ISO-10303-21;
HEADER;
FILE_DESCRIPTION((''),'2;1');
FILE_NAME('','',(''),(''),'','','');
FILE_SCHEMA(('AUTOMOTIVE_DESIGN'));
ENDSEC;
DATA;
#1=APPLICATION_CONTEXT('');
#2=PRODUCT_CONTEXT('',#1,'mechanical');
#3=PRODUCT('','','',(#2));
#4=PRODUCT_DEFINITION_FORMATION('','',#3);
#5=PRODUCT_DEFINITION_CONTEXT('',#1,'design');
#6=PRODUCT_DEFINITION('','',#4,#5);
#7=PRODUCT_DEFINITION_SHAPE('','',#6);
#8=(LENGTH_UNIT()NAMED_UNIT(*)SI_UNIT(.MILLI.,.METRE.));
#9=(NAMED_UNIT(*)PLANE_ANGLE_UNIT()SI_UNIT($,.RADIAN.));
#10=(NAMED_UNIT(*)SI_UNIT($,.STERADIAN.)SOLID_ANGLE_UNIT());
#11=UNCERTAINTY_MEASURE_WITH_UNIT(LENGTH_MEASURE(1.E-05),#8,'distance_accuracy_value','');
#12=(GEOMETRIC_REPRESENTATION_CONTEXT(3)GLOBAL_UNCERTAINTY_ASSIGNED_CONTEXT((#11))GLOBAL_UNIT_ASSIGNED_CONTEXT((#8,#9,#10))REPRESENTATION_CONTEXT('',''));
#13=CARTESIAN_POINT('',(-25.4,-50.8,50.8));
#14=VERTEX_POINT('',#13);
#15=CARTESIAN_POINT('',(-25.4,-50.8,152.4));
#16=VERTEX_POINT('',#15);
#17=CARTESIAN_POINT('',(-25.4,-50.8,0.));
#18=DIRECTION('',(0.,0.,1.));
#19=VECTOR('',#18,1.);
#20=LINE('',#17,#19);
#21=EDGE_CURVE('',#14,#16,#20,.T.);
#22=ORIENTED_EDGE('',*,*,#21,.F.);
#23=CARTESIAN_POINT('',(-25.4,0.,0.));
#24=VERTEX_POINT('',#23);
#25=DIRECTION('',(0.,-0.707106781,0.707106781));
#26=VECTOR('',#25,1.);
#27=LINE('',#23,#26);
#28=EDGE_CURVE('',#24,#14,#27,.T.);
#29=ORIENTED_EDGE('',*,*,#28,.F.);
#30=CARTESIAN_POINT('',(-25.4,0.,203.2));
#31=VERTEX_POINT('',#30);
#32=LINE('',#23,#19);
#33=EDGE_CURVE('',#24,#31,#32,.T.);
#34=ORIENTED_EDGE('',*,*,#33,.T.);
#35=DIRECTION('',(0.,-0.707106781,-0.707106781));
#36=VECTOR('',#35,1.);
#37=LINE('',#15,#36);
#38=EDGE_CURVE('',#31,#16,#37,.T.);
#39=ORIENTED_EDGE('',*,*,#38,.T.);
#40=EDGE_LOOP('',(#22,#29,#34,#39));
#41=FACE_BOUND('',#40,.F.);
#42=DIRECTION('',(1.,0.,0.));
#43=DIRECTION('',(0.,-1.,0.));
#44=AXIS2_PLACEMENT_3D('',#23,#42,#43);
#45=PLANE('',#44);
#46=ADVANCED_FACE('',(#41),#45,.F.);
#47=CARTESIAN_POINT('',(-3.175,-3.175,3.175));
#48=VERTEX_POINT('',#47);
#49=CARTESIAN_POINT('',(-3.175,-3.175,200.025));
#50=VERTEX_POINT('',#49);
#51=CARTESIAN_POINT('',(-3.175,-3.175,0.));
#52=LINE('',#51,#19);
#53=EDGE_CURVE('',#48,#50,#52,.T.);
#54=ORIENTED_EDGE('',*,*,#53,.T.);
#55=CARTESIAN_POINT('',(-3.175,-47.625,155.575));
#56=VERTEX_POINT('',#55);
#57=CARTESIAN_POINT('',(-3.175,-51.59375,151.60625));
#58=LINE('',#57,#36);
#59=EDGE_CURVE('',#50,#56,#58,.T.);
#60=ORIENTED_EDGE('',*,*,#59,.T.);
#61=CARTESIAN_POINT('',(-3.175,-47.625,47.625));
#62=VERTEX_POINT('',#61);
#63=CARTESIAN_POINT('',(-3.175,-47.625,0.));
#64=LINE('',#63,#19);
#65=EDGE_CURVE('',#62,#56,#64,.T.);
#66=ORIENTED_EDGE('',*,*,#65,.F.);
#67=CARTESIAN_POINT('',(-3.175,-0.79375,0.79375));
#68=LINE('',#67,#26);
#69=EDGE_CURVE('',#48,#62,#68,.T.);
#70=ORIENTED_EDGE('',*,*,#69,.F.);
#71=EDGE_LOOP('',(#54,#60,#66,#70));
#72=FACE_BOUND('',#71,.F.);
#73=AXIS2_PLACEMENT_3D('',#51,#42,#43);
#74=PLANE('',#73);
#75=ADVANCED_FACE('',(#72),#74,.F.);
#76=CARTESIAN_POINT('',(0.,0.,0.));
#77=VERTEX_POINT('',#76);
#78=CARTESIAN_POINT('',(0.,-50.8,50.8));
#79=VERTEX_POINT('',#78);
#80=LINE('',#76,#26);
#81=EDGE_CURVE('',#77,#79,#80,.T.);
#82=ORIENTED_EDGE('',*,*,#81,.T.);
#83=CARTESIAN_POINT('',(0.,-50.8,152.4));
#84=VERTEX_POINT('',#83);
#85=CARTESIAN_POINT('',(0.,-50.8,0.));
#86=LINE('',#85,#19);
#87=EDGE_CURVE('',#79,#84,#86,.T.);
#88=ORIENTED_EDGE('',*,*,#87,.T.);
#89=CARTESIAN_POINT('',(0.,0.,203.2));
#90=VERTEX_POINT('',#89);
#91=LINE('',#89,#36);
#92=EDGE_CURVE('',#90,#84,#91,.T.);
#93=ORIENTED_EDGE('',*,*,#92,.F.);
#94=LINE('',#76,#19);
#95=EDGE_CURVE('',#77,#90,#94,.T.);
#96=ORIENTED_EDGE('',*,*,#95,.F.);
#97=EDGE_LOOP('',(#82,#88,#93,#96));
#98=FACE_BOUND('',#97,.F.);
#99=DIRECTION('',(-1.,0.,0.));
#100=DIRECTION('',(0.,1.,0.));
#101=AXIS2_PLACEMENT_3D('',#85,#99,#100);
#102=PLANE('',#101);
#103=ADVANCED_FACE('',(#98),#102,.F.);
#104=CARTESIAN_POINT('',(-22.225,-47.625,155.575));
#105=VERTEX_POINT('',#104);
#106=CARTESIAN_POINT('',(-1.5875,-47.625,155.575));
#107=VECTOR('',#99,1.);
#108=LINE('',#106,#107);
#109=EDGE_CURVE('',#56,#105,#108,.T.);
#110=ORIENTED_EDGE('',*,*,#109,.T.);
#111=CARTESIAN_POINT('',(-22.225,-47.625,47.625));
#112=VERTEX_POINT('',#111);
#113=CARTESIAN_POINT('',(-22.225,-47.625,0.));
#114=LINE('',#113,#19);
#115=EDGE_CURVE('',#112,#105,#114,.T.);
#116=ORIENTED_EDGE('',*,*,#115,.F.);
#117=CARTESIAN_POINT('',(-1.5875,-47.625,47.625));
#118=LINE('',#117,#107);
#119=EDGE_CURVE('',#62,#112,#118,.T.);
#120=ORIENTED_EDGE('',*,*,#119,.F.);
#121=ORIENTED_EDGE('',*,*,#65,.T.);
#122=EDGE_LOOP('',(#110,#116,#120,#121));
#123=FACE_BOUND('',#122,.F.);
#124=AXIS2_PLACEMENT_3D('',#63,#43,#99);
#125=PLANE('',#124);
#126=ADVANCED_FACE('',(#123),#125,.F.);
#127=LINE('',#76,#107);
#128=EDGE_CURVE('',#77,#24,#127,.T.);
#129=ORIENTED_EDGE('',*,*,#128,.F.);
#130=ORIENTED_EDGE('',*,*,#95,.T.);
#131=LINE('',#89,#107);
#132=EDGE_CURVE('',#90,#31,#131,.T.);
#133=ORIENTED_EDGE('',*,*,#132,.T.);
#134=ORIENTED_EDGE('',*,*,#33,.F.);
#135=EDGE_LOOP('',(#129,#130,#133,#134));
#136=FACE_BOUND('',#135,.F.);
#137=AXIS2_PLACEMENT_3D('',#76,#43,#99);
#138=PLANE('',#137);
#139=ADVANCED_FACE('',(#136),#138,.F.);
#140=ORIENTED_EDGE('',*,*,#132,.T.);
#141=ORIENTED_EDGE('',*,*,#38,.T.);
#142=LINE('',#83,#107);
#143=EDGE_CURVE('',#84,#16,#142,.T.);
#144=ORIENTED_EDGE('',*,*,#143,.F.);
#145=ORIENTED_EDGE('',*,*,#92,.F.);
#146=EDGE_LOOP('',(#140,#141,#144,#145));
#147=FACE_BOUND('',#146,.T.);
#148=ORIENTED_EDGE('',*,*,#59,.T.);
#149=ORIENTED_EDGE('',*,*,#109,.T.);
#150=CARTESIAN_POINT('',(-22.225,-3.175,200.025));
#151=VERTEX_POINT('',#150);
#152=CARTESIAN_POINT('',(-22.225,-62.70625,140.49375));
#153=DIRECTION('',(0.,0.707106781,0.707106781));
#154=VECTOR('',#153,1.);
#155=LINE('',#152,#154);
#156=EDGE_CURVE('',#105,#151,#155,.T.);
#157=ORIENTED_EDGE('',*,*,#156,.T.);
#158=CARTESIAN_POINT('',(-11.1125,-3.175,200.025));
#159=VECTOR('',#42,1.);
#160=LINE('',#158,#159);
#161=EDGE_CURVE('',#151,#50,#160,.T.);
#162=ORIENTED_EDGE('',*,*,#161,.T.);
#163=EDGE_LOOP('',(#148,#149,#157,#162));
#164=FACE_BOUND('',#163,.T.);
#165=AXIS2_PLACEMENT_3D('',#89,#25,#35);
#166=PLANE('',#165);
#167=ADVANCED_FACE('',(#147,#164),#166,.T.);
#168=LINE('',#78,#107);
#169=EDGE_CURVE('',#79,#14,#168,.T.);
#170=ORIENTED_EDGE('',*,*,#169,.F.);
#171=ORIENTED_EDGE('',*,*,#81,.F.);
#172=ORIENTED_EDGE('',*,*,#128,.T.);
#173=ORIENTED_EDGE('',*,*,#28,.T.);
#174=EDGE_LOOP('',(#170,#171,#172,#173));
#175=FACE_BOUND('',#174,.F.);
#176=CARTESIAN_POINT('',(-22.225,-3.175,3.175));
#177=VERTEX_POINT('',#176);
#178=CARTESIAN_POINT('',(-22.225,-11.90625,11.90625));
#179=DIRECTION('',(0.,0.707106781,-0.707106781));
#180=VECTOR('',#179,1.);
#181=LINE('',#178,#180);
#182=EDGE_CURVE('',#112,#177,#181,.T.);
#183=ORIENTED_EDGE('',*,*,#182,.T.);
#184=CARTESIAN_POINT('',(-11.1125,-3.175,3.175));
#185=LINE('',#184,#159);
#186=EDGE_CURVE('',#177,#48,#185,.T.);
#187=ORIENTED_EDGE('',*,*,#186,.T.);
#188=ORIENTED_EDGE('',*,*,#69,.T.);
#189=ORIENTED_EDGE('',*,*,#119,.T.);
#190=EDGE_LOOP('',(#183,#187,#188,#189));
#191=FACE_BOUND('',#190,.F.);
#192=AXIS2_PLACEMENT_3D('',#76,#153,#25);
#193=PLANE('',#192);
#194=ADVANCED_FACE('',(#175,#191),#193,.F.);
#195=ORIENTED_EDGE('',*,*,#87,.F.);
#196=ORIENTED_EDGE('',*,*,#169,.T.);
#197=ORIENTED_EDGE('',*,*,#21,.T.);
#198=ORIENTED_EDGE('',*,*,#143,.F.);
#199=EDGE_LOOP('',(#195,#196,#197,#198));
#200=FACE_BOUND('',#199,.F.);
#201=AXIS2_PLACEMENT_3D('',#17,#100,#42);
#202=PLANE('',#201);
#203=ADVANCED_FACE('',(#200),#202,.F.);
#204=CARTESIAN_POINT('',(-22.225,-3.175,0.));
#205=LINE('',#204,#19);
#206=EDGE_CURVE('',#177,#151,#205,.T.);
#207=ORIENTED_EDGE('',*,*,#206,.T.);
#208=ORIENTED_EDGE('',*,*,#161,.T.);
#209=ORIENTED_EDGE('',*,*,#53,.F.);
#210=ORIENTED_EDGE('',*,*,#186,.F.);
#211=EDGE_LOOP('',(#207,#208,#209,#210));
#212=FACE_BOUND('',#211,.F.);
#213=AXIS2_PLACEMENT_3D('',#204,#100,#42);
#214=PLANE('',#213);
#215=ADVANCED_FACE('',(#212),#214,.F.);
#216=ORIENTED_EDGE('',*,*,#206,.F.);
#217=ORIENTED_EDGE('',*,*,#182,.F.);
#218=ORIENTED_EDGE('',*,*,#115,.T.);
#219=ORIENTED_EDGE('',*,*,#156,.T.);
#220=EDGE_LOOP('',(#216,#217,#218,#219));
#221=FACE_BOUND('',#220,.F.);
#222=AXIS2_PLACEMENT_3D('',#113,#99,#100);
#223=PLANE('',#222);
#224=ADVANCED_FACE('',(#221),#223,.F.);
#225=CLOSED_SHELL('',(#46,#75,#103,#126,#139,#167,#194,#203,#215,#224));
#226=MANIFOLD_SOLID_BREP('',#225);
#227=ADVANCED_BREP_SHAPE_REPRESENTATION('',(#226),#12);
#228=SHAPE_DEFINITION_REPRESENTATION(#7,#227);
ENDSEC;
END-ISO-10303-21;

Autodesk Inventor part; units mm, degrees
ref_plane "YZ Plane" through (0, 0, 0) normal (1, 0, 0) x (0, 1, 0)
ref_plane "XZ Plane" through (0, 0, 0) normal (0, 1, 0) x (-1, 0, 0)
ref_plane "XY Plane" through (0, 0, 0) normal (0, 0, 1) x (1, 0, 0)
sketch "Sketch1" plane through (0, 0, 0) normal (0, 0, 1) x (1, 0, 0)
  line L0 (0, 0) -> (-25.4, 0)
  line L1 (-25.4, 0) -> (-25.4, -50.8)
  line L2 (-25.4, -50.8) -> (0, -50.8)
  line L3 (0, -50.8) -> (0, 0)
  line L4 (-22.225, -3.175) -> (-3.175, -3.175)
  line L5 (-3.175, -3.175) -> (-3.175, -47.625)
  line L6 (-3.175, -47.625) -> (-22.225, -47.625)
  line L7 (-22.225, -47.625) -> (-22.225, -3.175)
  dimension "d0" = 25.4
  dimension "d1" = 50.8
  dimension "d2" = 3.175
extrude "Extrusion1" add sketch "Sketch1" along normal blind 203.2
sketch "Sketch2" plane through (0, -50.8, 0) normal (1, 0, 0) x (0, 0, -1)
  line L0 (-203.2, 50.8) -> (-152.4, 0)
  line L1 (0, 0) -> (-203.2, 0) projected
  line L2 (-203.2, 0) -> (-152.4, 0)
  line L3 (-203.2, 0) -> (-203.2, 50.8)
  line L4 (0, 50.8) -> (0, 0)
  line L5 (0, 50.8) -> (0, 0) projected
  line L6 (0, 0) -> (-50.8, 0)
  line L7 (0, 50.8) -> (-50.8, 0)
  dimension "d5" = 45
  dimension "d6" = 45
  dimension "d7" = 90
  dimension "d8" = 71.8421
  dimension "d9" = 50.8
  dimension "d10" = 50.8
  dimension "d11" = 45
  dimension "d12" = 45
  dimension "d13" = 71.8421
extrude "Extrusion2" cut sketch "Sketch2" against normal blind 203.2
properties part number "Arm Angle brace"
